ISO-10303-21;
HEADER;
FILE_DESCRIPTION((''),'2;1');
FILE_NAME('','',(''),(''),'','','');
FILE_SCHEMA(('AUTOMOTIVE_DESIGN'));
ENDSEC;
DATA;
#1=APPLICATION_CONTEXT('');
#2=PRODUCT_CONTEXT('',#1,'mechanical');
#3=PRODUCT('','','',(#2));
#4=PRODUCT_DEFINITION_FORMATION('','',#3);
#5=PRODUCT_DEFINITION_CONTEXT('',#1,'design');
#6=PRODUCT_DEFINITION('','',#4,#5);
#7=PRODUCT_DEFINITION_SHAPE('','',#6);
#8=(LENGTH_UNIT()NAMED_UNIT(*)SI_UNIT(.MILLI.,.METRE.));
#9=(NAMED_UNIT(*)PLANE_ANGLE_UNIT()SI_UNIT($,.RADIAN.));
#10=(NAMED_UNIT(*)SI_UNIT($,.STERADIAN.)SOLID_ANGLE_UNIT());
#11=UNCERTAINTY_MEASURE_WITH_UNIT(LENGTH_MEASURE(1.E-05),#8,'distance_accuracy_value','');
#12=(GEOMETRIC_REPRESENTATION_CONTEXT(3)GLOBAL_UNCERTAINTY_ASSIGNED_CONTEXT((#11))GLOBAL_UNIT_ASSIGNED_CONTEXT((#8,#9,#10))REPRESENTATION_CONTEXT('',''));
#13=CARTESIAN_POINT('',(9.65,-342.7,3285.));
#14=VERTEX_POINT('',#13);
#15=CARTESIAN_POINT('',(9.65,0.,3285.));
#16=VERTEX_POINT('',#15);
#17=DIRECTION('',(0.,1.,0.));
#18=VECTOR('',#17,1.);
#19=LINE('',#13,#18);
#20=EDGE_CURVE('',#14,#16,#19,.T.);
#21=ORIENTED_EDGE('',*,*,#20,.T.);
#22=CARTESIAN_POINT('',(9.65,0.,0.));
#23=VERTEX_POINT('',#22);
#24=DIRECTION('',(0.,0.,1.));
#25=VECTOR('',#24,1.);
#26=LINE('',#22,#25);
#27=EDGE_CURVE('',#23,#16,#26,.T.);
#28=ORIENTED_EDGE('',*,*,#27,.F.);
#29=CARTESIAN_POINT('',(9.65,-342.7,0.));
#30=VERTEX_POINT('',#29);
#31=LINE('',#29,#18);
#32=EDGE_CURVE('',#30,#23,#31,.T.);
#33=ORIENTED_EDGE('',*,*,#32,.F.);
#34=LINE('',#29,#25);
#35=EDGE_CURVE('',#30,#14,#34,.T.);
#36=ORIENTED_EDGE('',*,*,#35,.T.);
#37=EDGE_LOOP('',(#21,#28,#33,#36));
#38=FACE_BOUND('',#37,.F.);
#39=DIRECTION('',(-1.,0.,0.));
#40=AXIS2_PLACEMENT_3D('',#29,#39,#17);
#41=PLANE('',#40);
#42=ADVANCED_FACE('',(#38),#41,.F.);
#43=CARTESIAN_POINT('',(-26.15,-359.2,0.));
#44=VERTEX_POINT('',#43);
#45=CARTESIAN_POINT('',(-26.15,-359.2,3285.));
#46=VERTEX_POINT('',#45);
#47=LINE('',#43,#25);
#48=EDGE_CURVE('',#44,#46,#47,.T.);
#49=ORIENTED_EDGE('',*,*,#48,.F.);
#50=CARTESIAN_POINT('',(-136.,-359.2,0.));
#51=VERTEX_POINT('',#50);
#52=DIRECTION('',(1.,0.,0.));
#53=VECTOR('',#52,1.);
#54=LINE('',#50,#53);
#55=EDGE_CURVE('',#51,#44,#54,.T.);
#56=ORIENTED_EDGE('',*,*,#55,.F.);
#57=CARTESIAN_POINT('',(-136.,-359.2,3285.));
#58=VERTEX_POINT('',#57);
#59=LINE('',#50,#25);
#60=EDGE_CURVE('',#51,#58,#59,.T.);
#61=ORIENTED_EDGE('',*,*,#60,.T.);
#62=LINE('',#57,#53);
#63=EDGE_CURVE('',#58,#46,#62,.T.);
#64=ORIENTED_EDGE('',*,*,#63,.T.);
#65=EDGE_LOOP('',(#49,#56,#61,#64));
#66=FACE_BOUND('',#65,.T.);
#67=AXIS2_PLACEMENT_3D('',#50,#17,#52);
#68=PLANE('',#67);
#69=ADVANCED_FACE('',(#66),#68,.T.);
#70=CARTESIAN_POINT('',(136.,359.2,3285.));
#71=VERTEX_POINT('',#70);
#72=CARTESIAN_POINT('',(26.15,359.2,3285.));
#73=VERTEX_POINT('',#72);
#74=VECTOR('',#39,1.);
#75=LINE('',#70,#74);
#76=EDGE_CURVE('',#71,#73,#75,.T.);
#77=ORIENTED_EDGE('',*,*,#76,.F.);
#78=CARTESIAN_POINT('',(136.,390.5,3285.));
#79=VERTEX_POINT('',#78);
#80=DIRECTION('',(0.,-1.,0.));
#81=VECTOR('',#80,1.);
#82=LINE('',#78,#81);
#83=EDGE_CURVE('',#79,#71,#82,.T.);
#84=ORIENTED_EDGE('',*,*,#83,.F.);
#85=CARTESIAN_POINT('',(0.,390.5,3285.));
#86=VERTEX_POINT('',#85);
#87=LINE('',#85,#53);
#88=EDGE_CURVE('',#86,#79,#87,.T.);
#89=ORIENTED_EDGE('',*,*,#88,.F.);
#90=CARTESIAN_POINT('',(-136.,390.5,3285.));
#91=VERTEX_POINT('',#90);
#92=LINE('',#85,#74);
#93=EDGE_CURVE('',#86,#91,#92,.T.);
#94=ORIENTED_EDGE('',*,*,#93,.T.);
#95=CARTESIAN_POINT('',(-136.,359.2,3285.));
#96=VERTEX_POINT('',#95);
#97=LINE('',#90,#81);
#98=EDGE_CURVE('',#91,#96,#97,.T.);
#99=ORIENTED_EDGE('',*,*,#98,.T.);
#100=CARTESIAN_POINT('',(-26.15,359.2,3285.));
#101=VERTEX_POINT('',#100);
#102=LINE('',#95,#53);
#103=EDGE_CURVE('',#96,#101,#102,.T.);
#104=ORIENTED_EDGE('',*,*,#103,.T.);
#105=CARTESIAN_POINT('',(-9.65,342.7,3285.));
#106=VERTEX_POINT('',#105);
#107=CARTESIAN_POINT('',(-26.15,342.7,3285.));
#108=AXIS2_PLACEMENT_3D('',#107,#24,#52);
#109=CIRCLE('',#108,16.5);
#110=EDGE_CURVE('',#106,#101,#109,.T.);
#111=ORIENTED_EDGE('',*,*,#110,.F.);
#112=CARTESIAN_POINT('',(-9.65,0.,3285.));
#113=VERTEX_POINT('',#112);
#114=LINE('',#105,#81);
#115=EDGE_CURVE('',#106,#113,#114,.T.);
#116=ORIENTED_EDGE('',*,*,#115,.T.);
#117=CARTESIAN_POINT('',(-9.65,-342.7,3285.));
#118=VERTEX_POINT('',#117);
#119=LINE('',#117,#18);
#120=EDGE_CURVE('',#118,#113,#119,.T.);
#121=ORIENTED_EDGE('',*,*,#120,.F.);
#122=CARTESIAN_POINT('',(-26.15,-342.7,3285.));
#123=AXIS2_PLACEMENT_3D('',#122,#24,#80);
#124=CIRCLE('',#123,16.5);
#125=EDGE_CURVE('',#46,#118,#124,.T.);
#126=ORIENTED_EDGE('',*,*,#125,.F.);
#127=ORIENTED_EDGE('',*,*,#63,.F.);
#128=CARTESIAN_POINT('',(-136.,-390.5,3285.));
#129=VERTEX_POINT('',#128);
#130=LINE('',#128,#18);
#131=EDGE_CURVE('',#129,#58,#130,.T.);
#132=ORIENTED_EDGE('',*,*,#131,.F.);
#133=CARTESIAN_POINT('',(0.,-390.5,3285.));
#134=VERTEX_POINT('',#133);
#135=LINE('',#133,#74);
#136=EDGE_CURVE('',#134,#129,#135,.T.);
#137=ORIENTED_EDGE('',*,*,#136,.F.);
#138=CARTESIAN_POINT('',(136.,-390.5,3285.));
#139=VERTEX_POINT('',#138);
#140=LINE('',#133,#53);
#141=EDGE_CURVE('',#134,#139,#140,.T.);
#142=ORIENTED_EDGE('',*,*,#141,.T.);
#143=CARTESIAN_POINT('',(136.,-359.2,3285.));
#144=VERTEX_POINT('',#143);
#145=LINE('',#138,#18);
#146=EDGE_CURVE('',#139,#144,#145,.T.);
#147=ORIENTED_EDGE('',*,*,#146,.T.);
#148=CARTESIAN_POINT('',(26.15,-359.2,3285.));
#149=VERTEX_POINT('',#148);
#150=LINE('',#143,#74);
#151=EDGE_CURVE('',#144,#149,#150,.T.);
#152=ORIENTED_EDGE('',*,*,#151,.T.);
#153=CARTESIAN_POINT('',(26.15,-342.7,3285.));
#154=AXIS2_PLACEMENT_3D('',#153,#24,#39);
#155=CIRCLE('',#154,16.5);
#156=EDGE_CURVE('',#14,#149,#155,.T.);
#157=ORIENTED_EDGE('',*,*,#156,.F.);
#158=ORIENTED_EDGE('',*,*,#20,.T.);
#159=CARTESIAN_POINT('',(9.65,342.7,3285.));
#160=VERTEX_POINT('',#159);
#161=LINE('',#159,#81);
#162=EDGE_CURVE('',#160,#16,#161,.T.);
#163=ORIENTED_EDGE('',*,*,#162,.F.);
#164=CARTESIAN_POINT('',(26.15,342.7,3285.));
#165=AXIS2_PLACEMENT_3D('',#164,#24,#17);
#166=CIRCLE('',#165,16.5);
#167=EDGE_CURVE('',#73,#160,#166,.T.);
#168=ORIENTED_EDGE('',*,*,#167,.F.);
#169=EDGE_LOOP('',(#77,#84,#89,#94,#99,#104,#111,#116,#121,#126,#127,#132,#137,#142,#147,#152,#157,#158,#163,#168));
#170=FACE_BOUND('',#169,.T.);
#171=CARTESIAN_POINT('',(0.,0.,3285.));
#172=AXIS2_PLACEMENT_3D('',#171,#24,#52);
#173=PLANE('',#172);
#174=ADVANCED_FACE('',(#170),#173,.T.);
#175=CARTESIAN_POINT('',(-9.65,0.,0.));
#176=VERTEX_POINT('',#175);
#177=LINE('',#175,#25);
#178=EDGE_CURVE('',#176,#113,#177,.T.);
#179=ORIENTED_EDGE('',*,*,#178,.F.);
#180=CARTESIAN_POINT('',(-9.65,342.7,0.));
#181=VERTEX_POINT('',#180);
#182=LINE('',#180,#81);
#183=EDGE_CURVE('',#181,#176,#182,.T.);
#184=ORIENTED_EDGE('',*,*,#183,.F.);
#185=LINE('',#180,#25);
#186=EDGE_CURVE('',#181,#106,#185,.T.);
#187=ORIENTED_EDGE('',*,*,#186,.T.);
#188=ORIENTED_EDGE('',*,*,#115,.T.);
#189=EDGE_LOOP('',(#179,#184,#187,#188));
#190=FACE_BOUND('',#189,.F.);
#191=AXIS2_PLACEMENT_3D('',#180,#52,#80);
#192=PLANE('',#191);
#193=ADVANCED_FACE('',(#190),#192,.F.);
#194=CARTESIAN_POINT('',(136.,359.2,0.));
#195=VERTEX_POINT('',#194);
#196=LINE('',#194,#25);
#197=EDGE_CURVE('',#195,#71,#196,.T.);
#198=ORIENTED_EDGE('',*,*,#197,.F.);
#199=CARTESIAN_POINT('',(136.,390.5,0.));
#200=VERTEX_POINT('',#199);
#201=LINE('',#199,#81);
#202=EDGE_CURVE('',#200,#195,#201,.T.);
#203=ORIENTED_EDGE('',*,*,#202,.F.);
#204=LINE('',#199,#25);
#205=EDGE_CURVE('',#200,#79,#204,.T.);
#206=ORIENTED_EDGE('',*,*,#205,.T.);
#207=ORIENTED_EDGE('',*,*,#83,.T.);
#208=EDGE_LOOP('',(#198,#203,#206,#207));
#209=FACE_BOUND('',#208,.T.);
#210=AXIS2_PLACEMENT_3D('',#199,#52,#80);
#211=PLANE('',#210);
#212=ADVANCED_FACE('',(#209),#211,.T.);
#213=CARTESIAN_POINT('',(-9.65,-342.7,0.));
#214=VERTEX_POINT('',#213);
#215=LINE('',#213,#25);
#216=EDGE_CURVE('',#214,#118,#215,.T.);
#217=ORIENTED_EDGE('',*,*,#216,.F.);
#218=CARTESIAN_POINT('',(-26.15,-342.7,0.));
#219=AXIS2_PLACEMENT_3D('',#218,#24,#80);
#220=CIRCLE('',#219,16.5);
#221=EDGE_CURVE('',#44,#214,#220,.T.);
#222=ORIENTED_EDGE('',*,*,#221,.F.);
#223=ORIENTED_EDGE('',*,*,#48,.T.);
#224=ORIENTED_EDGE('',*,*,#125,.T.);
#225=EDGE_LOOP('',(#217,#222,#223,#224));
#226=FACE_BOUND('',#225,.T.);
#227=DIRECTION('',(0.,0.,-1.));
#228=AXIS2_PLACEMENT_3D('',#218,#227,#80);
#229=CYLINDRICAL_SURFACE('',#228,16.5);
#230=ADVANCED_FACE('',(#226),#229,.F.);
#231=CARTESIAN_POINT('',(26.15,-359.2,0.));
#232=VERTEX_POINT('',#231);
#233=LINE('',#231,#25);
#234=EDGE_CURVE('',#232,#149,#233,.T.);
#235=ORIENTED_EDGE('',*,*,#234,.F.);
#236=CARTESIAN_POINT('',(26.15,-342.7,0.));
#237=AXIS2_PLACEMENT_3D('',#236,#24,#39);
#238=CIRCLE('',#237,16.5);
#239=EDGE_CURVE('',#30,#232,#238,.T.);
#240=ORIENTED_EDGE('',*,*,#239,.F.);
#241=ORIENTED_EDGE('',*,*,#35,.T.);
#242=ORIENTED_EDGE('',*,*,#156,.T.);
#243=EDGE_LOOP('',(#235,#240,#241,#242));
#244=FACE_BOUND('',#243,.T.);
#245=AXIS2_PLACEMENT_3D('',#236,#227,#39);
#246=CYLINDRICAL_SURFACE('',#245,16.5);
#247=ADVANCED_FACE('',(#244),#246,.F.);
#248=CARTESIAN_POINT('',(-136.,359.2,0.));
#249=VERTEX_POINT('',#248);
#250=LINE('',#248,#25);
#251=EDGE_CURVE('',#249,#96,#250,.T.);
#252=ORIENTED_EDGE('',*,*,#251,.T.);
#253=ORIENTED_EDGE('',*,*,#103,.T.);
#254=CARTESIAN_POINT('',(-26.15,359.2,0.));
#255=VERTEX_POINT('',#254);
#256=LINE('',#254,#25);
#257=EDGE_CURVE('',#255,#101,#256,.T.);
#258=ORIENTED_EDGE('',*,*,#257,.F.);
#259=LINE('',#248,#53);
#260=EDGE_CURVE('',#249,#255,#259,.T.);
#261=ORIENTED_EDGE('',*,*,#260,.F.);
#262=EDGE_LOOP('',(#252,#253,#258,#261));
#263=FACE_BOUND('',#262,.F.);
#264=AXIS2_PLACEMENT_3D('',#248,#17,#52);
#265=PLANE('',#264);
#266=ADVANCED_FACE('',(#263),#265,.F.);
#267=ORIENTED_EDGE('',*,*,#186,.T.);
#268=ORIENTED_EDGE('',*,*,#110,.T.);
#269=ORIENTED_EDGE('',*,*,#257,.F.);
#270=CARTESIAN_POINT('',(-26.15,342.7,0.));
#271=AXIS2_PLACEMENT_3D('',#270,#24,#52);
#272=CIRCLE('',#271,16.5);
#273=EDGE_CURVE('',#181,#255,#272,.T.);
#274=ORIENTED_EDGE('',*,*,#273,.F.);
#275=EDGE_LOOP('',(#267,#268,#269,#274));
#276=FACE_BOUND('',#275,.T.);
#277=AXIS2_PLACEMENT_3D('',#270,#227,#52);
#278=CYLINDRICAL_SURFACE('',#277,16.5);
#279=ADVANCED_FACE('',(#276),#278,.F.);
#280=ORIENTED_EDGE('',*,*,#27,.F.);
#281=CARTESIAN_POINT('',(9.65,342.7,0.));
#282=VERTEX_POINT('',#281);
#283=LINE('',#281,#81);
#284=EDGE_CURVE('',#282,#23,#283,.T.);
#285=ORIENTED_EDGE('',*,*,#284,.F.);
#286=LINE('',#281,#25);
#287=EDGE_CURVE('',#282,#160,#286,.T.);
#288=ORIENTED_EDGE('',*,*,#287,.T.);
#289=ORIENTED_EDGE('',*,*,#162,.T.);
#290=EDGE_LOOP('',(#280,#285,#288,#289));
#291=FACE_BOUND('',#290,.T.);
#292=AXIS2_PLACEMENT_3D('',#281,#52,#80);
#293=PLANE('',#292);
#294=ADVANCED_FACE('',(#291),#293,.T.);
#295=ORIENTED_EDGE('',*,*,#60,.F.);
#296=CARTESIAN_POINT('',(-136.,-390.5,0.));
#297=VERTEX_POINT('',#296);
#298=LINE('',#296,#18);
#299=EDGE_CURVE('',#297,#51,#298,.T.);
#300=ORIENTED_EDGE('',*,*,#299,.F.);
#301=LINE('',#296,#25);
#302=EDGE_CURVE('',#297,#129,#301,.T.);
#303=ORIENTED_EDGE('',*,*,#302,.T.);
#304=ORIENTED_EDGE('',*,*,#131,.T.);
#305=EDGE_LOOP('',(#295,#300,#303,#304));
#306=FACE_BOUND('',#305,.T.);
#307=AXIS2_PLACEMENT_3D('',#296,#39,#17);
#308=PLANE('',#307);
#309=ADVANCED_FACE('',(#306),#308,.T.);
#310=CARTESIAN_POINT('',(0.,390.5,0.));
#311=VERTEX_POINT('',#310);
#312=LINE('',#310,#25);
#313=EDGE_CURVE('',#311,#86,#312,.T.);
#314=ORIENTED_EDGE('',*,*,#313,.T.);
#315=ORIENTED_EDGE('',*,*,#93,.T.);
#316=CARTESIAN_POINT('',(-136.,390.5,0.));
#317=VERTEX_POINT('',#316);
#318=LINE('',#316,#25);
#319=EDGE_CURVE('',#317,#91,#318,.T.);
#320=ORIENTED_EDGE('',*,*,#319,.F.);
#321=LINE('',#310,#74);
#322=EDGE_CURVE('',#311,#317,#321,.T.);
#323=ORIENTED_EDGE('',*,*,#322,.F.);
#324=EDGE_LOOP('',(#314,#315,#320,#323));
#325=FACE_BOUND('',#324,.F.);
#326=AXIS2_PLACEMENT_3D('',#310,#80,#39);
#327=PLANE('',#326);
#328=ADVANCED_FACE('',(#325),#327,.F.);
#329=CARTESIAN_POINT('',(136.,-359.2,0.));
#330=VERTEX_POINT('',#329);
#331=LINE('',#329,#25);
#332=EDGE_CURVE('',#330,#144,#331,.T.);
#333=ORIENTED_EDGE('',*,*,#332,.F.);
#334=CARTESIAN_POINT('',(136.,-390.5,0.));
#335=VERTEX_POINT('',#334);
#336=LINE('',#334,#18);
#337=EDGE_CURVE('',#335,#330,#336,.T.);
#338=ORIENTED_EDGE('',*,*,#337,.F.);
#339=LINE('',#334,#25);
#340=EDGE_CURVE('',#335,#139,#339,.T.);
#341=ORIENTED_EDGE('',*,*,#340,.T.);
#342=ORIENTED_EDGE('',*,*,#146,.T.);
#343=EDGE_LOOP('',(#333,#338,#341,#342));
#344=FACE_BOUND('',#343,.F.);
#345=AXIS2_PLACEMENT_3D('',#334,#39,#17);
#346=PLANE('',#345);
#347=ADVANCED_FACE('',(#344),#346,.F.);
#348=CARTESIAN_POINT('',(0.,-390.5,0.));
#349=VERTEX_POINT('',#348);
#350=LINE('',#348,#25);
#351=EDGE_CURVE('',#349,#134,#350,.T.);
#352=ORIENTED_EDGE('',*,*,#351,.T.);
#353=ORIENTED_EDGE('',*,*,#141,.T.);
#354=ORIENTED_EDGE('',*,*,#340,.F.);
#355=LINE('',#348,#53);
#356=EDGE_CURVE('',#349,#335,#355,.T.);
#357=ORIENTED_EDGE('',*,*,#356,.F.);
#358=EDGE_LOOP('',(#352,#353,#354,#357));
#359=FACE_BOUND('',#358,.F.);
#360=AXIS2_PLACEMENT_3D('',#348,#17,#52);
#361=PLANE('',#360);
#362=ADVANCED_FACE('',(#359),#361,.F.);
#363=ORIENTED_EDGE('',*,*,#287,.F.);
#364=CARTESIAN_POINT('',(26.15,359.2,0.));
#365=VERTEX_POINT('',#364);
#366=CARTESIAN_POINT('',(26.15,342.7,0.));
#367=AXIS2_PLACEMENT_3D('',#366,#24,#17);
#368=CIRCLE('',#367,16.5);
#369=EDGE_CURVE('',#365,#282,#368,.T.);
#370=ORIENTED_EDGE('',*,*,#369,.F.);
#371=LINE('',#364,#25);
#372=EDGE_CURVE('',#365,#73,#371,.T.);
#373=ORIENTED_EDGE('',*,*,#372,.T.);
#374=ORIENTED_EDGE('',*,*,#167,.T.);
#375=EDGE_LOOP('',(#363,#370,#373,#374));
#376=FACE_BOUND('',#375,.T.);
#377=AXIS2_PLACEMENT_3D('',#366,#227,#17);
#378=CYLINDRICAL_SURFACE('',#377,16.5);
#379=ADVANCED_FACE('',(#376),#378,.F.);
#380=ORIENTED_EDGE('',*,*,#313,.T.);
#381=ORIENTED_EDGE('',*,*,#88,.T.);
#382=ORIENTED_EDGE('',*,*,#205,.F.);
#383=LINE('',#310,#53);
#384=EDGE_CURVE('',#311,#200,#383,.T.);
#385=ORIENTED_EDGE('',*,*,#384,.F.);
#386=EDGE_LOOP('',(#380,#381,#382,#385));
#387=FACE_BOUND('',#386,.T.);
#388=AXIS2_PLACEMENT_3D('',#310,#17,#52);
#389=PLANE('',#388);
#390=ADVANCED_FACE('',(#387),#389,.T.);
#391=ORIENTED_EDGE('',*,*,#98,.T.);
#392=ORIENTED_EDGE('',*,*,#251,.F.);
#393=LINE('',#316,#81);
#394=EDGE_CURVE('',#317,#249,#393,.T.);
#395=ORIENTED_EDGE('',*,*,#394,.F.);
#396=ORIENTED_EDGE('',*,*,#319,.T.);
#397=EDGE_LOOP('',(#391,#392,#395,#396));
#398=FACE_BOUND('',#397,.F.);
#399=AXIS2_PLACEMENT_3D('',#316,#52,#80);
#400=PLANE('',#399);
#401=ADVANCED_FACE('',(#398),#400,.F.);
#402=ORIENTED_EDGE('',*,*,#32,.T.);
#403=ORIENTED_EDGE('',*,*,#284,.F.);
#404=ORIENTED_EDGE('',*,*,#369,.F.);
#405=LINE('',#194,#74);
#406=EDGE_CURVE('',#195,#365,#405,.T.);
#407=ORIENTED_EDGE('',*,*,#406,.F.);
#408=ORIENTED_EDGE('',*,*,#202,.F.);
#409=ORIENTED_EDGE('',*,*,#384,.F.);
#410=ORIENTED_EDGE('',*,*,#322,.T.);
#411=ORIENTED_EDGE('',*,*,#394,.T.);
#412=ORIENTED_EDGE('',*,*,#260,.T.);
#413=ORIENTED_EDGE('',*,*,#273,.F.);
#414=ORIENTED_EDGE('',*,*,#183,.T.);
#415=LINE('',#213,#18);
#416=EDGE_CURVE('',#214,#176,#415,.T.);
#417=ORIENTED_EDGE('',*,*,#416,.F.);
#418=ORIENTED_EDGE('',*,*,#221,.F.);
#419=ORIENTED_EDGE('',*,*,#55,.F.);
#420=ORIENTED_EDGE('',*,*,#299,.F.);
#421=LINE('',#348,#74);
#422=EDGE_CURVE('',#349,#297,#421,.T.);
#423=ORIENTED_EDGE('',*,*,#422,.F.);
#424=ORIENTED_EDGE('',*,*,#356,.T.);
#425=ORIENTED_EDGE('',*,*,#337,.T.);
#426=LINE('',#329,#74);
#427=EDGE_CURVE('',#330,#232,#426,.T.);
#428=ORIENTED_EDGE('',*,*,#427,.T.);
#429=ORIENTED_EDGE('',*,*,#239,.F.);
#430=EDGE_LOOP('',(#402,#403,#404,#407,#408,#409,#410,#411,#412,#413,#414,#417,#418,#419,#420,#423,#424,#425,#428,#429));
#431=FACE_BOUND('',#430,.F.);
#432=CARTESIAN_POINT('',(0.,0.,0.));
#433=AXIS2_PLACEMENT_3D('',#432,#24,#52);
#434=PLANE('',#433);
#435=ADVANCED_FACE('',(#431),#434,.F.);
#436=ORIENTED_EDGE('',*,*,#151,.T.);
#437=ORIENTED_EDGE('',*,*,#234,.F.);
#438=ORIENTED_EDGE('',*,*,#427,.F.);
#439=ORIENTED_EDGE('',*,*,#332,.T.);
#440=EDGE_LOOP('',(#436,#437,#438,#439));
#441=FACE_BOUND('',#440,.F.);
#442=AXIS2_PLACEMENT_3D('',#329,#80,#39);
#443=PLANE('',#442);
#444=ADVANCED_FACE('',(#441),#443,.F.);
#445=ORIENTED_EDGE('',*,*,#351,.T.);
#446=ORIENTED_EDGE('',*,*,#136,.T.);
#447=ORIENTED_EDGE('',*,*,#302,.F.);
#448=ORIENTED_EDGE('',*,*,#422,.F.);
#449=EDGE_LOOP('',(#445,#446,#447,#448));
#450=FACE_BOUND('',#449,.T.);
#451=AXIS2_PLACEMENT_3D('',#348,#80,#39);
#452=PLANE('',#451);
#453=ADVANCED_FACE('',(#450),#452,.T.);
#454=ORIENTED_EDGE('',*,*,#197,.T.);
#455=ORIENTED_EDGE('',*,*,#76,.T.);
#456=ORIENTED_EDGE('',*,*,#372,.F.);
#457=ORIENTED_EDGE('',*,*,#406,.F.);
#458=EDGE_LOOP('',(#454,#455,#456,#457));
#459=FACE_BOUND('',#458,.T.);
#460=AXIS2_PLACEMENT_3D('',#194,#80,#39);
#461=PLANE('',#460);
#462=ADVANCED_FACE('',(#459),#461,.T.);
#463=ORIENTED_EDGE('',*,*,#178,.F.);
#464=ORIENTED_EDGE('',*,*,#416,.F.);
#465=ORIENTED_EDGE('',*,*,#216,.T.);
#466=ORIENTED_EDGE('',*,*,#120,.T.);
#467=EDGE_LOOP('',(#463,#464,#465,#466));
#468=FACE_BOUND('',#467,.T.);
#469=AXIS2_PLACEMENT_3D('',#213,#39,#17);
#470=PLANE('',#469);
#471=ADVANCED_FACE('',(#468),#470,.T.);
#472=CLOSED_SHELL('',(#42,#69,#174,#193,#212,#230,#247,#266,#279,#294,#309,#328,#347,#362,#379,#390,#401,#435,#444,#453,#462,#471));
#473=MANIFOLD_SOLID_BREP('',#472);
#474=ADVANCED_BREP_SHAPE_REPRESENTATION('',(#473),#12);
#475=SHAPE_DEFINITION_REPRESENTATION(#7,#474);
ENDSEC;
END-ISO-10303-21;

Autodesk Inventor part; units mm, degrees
ref_plane "YZ Plane" through (0, 0, 0) normal (1, 0, 0) x (0, 1, 0)
ref_plane "Start plane" through (0, 0, 0) normal (0, 0, 1) x (1, 0, 0)
ref_plane "End plane" through (0, 0, 3285) normal (0, 0, 1) x (1, 0, 0)
sketch "Sketch" plane through (0, 0, 0) normal (0, 0, 1) x (1, 0, 0)
  line L0 (-136, -390.5) -> (-136, -359.2)
  line L1 (-136, -359.2) -> (-26.15, -359.2)
  line L2 (-9.65, -342.7) -> (-9.65, 0)
  line L3 (-9.65, 0) -> (0, 0) construction
  line L4 (0, 0) -> (0, -390.5) construction
  line L5 (0, -390.5) -> (-136, -390.5)
  line L6 (-60, 0) -> (80, 0) construction
  line L7 (0, -60) -> (0, 80) construction
  line L8 (136, -390.5) -> (136, -359.2)
  line L9 (136, -359.2) -> (26.15, -359.2)
  line L10 (9.65, -342.7) -> (9.65, 0)
  line L11 (9.65, 0) -> (0, 0) construction
  line L12 (0, -390.5) -> (136, -390.5)
  line L13 (-136, 390.5) -> (-136, 359.2)
  line L14 (-136, 359.2) -> (-26.15, 359.2)
  line L15 (-9.65, 342.7) -> (-9.65, 0)
  line L16 (0, 390.5) -> (-136, 390.5)
  line L17 (136, 390.5) -> (136, 359.2)
  line L18 (136, 359.2) -> (26.15, 359.2)
  line L19 (0, 390.5) -> (136, 390.5)
  line L20 (9.65, 342.7) -> (9.65, 0)
  arc A0 (-9.65, 342.7) -> (-26.15, 359.2) centre (-26.15, 342.7) ccw
  arc A1 (26.15, 359.2) -> (9.65, 342.7) centre (26.15, 342.7) ccw
  arc A2 (9.65, -342.7) -> (26.15, -359.2) centre (26.15, -342.7) ccw
  arc A3 (-26.15, -359.2) -> (-9.65, -342.7) centre (-26.15, -342.7) ccw
  line L21 (0, 108) -> (0, -88) construction
  line L22 (-88, 0) -> (108, 0) construction
  point P0 (-9.65, -359.2)
  point P1 (9.65, -359.2)
  point P2 (-9.65, 359.2)
  point P3 (9.65, 359.2)
  dimension "d1" = 390.5
  dimension "d2" = 31.3
  dimension "d3" = 136
  dimension "d4" = 9.65
  dimension "d10" = 16.5
extrude "Body" add sketch "Sketch" along normal up to surface (3285 mm away) from surface at 0
sketch "Sketch4" plane through (0, 0, 0) normal (0, 0, 1) x (1, 0, 0)
  line L0 (0, 0) -> (10, 0)
ref_plane "Work Plane3" through (0, 0, 0) normal (0, -1, 0) x (1, 0, 0)
sketch "Sketch5" plane through (0, 0, 0) normal (0, -1, 0) x (1, 0, 0)
  line L0 (-2, 0) -> (12, 0) projected
  line L1 (-2, 3285) -> (12, 3285) projected
  dimension "d14" = 3285
equation "\"d1\" = 0.5 * G_H"
equation "\"d2\" = G_T1"
equation "\"d3\" = 0.5 * G_W"
equation "\"d4\" = 0.5 * G_T"
equation "\"d10\" = G_IR"
equation "\"d5\" = G_L"
equation "\"G_W\" = 272"
equation "\"G_H\" = 781"
equation "\"G_T\" = 19.3"
equation "\"G_T1\" = 31.3"
equation "\"G_IR\" = 16.5"
equation "\"G_L\" = d14"
equation "\"G_OFFSET_START\" = 0"
equation "\"G_OFFSET_END\" = 0"
equation "\"d12\" = G_OFFSET_END + B_L"
equation "\"B_L\" = 3285"
properties part number "AS 3679-1990 - 760 UB - 244 - 3285" material "Steel, Mild"
